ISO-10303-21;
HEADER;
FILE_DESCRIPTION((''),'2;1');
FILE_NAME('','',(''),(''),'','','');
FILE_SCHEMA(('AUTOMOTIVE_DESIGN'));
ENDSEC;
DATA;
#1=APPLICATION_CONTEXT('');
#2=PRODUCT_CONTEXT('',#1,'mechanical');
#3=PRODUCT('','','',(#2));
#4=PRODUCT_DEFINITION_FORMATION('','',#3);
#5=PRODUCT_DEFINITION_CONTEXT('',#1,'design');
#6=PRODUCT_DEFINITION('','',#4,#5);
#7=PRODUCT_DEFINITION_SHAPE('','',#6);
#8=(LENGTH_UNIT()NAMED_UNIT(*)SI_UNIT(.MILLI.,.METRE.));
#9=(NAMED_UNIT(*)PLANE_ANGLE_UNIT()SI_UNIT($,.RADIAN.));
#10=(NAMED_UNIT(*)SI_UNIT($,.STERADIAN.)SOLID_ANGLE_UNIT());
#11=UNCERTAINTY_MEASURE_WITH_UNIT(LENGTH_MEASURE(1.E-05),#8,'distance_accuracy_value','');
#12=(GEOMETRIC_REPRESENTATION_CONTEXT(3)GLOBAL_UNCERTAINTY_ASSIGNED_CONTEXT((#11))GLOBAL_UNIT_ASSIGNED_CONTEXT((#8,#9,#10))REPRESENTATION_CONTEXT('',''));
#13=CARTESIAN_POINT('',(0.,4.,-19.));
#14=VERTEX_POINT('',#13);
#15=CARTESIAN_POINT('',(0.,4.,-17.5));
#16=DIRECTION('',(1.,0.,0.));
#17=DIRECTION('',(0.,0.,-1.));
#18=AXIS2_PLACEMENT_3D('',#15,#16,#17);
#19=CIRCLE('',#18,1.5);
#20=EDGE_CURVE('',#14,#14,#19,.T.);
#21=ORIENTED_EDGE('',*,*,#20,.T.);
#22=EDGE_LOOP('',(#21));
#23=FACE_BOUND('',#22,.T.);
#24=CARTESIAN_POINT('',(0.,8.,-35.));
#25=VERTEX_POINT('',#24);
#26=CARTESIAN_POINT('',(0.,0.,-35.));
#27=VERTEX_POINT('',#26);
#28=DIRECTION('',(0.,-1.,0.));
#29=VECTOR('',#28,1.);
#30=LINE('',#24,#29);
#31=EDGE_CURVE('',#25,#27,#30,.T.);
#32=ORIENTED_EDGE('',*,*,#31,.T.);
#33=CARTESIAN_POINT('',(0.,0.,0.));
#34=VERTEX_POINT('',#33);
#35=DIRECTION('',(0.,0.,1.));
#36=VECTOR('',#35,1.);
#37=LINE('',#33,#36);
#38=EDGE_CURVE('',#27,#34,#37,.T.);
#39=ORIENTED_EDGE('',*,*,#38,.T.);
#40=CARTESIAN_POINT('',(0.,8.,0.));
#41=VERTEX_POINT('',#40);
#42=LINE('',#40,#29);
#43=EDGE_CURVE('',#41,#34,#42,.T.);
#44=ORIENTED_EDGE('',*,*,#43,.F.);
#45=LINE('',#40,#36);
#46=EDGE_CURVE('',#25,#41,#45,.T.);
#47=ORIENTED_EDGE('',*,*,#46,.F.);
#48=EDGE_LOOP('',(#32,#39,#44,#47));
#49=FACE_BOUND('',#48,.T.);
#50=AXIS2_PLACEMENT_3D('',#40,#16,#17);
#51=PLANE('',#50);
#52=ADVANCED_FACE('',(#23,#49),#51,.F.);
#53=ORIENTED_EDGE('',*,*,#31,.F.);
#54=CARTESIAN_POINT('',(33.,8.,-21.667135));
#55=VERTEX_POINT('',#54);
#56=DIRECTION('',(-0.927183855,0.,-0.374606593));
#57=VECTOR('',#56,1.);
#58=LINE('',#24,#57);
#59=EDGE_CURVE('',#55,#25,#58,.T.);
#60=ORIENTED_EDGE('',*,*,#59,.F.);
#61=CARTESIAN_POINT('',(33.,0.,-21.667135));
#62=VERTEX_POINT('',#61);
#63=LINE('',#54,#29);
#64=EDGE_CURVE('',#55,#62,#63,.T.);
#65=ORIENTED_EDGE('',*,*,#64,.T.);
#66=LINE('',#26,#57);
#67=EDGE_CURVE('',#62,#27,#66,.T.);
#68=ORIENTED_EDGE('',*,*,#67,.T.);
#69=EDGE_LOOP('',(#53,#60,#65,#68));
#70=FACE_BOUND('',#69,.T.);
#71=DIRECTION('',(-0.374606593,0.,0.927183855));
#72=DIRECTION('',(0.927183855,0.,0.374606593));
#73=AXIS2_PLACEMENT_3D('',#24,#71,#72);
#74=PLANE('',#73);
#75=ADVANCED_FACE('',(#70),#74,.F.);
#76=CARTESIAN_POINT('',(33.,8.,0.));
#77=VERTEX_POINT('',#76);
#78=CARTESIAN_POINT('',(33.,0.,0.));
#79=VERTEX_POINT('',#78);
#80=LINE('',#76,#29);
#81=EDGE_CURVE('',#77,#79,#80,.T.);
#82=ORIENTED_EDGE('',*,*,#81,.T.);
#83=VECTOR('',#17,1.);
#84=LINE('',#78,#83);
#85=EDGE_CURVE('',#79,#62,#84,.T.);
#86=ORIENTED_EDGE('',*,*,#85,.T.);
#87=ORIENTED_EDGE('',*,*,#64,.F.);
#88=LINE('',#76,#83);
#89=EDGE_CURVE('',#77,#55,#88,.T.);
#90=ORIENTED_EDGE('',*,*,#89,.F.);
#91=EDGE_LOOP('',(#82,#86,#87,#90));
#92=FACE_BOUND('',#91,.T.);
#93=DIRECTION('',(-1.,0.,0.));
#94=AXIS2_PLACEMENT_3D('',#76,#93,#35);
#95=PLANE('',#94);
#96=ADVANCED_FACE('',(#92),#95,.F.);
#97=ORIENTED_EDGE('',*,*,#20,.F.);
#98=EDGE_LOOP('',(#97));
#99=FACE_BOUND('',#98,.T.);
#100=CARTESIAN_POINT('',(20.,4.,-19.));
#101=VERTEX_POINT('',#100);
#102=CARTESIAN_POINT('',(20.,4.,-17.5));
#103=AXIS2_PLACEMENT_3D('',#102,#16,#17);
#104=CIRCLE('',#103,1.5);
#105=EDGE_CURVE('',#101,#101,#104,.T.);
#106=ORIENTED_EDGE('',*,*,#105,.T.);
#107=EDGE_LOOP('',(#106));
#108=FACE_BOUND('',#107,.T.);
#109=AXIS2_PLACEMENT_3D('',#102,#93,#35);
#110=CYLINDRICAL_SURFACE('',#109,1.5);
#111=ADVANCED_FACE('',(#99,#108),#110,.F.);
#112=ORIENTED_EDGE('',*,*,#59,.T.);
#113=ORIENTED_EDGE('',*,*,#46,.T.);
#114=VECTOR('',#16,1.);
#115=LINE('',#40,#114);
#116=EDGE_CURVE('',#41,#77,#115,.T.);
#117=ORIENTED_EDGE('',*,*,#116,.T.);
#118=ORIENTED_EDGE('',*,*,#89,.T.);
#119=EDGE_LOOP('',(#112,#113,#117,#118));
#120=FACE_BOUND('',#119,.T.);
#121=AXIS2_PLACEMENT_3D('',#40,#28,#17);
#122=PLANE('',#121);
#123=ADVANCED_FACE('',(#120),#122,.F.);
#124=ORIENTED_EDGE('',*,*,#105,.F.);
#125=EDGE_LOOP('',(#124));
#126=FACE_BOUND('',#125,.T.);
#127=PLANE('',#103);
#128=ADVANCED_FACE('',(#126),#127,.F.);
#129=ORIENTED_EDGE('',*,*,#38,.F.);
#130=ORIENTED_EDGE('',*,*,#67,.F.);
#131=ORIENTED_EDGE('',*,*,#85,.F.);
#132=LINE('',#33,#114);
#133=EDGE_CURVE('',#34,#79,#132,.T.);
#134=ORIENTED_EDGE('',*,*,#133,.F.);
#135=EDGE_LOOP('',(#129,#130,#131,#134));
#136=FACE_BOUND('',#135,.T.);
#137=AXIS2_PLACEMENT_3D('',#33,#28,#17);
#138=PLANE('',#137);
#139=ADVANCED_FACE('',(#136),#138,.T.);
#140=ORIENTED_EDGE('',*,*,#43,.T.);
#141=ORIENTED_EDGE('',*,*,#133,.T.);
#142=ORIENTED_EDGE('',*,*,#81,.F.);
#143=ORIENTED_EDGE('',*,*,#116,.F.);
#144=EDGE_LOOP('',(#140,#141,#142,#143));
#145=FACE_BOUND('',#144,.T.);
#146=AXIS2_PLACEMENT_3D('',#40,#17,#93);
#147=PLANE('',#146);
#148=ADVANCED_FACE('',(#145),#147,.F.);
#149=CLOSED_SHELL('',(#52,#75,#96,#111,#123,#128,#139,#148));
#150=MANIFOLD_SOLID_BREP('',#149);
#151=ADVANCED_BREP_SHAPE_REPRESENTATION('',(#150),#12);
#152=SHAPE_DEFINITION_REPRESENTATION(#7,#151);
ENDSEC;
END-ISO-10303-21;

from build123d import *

# Parameters (mm, degrees)
BOSS_EXTRUDE2_DEPTH = 8
SKETCH2_R           = 1.5
CUT_EXTRUDE1_DEPTH  = 20


with BuildPart() as part:
    # Sketch1 → Boss-Extrude2 (new body)
    with BuildSketch(Plane(origin=(0, 0, 0), x_dir=(1, 0, 0), z_dir=(0, 1, 0))):
        Polygon((0, 0), (33, 0), (33, 21.667134547), (0, 35), align=None)
    extrude(amount=BOSS_EXTRUDE2_DEPTH)

    # Sketch2 → Cut-Extrude1 (cut)
    with BuildSketch(Plane(origin=(0, 0, 0), x_dir=(0, 0, -1), z_dir=(1, 0, 0))):
        with Locations((17.5, 4)):
            Circle(SKETCH2_R)
    extrude(amount=CUT_EXTRUDE1_DEPTH, mode=Mode.SUBTRACT)


solid = part.part
